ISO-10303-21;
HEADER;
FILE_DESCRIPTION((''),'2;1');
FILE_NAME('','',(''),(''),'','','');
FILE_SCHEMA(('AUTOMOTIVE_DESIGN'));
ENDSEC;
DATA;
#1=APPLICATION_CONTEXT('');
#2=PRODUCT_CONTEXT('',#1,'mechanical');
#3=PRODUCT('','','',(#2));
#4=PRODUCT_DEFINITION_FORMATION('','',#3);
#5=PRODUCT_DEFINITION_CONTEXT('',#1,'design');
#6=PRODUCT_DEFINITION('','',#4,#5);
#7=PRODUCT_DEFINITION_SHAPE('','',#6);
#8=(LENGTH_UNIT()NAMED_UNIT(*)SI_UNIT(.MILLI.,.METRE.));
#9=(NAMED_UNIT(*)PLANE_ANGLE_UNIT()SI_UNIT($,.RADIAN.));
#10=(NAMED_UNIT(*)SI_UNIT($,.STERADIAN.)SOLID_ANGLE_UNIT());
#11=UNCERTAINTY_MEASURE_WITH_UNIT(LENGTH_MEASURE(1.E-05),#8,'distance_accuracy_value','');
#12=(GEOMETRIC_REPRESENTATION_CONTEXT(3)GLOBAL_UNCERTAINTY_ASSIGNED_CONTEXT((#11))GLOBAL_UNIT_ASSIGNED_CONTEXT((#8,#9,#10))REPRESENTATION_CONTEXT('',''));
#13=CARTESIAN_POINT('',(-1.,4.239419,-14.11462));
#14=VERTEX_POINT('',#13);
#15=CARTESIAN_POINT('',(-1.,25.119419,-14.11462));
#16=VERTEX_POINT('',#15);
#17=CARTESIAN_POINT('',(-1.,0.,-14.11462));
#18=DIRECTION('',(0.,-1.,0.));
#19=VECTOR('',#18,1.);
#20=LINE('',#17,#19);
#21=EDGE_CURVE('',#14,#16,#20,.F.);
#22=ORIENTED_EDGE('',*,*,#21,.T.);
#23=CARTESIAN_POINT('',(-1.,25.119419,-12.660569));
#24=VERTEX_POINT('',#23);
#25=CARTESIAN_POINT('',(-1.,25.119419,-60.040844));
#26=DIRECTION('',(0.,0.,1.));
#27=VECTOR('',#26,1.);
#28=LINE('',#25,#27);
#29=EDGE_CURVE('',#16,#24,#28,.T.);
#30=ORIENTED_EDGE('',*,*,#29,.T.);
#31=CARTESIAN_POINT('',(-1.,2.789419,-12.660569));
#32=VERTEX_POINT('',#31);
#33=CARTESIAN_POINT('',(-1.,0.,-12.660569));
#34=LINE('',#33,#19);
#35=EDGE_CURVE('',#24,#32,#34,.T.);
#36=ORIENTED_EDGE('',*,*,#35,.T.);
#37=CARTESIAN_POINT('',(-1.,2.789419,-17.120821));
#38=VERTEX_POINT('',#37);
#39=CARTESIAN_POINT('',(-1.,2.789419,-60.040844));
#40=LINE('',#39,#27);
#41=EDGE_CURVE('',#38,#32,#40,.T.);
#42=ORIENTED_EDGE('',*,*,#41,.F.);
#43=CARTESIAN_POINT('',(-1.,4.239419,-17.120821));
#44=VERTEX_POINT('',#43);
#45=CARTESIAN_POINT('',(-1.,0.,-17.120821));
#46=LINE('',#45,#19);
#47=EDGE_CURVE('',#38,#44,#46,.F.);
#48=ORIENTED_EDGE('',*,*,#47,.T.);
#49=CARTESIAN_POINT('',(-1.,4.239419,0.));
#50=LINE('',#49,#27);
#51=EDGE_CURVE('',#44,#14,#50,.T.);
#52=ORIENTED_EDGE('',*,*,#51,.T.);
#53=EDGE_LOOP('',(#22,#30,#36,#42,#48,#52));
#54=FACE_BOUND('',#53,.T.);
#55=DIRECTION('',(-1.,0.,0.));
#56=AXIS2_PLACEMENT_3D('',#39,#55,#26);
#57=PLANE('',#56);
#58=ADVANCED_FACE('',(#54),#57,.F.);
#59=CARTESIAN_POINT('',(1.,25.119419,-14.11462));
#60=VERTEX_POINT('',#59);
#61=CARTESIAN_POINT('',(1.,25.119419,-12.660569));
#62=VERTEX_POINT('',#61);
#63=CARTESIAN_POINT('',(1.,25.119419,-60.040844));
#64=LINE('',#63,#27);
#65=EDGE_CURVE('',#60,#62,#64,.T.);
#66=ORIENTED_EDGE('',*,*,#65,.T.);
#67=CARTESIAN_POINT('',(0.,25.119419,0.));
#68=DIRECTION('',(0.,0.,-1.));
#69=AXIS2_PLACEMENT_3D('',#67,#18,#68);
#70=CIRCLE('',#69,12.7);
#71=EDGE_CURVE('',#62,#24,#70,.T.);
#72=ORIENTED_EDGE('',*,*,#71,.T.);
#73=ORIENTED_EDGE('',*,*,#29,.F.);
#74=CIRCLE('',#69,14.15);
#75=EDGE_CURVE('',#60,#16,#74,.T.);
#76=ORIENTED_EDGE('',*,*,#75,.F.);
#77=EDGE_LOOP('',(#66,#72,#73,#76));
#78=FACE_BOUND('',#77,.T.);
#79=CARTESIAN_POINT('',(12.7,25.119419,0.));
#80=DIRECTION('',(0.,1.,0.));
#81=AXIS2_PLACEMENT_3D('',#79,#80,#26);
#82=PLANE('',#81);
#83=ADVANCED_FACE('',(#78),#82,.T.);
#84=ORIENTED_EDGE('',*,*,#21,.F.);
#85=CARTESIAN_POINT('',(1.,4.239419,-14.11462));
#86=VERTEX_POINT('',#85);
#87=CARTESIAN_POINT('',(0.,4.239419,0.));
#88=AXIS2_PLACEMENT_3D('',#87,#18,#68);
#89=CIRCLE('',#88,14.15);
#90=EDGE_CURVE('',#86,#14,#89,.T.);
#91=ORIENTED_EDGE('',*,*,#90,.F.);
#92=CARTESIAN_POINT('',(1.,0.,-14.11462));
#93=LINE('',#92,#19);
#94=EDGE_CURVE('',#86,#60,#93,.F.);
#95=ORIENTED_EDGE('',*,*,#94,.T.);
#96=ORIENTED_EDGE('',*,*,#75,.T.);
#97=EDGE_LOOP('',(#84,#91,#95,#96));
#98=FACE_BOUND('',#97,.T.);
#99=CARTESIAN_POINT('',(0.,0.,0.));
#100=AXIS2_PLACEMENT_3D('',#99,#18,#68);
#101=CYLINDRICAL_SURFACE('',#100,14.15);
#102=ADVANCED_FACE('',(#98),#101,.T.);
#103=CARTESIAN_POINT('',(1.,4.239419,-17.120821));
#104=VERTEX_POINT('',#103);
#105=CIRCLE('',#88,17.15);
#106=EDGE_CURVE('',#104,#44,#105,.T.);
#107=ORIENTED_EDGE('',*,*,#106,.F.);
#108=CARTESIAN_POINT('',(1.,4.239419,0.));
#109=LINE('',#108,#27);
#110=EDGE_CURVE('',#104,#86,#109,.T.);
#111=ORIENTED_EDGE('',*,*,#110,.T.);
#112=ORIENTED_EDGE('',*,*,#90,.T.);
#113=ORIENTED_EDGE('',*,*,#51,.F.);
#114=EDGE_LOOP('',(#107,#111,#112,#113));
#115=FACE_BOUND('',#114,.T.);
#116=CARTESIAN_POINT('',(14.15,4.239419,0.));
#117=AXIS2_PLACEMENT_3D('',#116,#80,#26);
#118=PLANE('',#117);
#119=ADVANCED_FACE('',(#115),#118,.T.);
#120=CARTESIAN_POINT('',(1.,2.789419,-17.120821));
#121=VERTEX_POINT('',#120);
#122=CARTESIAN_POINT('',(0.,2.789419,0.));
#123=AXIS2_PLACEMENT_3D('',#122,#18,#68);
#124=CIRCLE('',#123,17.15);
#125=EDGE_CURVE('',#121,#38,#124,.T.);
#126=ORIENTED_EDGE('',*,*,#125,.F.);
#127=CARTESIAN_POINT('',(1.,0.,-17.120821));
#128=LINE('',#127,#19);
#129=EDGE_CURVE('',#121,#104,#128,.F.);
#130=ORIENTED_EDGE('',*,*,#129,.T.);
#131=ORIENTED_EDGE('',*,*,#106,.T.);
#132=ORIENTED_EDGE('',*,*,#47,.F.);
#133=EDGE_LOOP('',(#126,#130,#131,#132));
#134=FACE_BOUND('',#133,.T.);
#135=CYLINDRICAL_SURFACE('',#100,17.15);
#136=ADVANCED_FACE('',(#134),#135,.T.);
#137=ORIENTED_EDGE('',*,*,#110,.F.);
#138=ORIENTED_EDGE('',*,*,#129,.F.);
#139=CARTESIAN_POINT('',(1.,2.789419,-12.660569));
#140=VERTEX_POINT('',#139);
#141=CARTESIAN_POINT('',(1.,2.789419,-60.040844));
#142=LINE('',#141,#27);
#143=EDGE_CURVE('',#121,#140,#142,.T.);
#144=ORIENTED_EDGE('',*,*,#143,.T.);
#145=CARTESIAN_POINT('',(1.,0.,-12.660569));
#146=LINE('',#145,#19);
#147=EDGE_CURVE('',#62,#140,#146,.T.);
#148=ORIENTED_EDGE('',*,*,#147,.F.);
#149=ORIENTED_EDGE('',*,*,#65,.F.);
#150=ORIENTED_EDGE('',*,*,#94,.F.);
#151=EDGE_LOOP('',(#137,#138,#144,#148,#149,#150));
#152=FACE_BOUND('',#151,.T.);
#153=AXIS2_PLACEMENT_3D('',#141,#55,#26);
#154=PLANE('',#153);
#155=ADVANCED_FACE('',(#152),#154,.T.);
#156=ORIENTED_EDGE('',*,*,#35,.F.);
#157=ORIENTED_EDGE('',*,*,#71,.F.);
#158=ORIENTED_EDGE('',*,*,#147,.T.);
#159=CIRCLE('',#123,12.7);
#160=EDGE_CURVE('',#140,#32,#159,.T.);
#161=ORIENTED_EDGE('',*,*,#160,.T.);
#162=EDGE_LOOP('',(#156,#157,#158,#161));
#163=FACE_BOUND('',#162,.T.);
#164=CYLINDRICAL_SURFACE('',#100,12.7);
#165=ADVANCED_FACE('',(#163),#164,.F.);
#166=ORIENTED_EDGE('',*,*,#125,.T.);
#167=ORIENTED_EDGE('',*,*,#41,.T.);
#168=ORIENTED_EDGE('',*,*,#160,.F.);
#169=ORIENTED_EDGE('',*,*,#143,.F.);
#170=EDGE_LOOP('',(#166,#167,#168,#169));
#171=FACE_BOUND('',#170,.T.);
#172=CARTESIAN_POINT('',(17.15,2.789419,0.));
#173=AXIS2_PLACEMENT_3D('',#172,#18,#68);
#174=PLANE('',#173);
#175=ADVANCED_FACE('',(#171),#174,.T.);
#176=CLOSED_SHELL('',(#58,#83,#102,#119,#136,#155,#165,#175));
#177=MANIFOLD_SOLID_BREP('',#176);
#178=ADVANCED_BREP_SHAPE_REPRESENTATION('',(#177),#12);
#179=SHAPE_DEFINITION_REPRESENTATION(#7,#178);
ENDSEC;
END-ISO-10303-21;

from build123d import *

# Parameters (mm, degrees)
SKETCH2_W          = 2
SKETCH2_H          = 66.093473653
CUT_EXTRUDE1_DEPTH = 23.33


with BuildPart() as part:
    # Sketch1 → Revolve1 (revolve)
    with BuildSketch(Plane.XY):
        Polygon((12.7, 2.789418738), (12.7, 25.119418738), (14.15, 25.119418738), (14.15, 4.239418738), (17.15, 4.239418738), (17.15, 2.789418738), align=None)
    revolve(axis=Axis((0, 0, 0), (0, 1, 0)))

    # Sketch2 → Cut-Extrude1 (cut, through all)
    with BuildSketch(Plane(origin=(0, 25.119418738, 0), x_dir=(1, 0, 0), z_dir=(0, 1, 0))):
        with Locations((0, 26.994107081)):
            Rectangle(SKETCH2_W, SKETCH2_H)
    extrude(amount=-CUT_EXTRUDE1_DEPTH, mode=Mode.SUBTRACT)


solid = part.part
